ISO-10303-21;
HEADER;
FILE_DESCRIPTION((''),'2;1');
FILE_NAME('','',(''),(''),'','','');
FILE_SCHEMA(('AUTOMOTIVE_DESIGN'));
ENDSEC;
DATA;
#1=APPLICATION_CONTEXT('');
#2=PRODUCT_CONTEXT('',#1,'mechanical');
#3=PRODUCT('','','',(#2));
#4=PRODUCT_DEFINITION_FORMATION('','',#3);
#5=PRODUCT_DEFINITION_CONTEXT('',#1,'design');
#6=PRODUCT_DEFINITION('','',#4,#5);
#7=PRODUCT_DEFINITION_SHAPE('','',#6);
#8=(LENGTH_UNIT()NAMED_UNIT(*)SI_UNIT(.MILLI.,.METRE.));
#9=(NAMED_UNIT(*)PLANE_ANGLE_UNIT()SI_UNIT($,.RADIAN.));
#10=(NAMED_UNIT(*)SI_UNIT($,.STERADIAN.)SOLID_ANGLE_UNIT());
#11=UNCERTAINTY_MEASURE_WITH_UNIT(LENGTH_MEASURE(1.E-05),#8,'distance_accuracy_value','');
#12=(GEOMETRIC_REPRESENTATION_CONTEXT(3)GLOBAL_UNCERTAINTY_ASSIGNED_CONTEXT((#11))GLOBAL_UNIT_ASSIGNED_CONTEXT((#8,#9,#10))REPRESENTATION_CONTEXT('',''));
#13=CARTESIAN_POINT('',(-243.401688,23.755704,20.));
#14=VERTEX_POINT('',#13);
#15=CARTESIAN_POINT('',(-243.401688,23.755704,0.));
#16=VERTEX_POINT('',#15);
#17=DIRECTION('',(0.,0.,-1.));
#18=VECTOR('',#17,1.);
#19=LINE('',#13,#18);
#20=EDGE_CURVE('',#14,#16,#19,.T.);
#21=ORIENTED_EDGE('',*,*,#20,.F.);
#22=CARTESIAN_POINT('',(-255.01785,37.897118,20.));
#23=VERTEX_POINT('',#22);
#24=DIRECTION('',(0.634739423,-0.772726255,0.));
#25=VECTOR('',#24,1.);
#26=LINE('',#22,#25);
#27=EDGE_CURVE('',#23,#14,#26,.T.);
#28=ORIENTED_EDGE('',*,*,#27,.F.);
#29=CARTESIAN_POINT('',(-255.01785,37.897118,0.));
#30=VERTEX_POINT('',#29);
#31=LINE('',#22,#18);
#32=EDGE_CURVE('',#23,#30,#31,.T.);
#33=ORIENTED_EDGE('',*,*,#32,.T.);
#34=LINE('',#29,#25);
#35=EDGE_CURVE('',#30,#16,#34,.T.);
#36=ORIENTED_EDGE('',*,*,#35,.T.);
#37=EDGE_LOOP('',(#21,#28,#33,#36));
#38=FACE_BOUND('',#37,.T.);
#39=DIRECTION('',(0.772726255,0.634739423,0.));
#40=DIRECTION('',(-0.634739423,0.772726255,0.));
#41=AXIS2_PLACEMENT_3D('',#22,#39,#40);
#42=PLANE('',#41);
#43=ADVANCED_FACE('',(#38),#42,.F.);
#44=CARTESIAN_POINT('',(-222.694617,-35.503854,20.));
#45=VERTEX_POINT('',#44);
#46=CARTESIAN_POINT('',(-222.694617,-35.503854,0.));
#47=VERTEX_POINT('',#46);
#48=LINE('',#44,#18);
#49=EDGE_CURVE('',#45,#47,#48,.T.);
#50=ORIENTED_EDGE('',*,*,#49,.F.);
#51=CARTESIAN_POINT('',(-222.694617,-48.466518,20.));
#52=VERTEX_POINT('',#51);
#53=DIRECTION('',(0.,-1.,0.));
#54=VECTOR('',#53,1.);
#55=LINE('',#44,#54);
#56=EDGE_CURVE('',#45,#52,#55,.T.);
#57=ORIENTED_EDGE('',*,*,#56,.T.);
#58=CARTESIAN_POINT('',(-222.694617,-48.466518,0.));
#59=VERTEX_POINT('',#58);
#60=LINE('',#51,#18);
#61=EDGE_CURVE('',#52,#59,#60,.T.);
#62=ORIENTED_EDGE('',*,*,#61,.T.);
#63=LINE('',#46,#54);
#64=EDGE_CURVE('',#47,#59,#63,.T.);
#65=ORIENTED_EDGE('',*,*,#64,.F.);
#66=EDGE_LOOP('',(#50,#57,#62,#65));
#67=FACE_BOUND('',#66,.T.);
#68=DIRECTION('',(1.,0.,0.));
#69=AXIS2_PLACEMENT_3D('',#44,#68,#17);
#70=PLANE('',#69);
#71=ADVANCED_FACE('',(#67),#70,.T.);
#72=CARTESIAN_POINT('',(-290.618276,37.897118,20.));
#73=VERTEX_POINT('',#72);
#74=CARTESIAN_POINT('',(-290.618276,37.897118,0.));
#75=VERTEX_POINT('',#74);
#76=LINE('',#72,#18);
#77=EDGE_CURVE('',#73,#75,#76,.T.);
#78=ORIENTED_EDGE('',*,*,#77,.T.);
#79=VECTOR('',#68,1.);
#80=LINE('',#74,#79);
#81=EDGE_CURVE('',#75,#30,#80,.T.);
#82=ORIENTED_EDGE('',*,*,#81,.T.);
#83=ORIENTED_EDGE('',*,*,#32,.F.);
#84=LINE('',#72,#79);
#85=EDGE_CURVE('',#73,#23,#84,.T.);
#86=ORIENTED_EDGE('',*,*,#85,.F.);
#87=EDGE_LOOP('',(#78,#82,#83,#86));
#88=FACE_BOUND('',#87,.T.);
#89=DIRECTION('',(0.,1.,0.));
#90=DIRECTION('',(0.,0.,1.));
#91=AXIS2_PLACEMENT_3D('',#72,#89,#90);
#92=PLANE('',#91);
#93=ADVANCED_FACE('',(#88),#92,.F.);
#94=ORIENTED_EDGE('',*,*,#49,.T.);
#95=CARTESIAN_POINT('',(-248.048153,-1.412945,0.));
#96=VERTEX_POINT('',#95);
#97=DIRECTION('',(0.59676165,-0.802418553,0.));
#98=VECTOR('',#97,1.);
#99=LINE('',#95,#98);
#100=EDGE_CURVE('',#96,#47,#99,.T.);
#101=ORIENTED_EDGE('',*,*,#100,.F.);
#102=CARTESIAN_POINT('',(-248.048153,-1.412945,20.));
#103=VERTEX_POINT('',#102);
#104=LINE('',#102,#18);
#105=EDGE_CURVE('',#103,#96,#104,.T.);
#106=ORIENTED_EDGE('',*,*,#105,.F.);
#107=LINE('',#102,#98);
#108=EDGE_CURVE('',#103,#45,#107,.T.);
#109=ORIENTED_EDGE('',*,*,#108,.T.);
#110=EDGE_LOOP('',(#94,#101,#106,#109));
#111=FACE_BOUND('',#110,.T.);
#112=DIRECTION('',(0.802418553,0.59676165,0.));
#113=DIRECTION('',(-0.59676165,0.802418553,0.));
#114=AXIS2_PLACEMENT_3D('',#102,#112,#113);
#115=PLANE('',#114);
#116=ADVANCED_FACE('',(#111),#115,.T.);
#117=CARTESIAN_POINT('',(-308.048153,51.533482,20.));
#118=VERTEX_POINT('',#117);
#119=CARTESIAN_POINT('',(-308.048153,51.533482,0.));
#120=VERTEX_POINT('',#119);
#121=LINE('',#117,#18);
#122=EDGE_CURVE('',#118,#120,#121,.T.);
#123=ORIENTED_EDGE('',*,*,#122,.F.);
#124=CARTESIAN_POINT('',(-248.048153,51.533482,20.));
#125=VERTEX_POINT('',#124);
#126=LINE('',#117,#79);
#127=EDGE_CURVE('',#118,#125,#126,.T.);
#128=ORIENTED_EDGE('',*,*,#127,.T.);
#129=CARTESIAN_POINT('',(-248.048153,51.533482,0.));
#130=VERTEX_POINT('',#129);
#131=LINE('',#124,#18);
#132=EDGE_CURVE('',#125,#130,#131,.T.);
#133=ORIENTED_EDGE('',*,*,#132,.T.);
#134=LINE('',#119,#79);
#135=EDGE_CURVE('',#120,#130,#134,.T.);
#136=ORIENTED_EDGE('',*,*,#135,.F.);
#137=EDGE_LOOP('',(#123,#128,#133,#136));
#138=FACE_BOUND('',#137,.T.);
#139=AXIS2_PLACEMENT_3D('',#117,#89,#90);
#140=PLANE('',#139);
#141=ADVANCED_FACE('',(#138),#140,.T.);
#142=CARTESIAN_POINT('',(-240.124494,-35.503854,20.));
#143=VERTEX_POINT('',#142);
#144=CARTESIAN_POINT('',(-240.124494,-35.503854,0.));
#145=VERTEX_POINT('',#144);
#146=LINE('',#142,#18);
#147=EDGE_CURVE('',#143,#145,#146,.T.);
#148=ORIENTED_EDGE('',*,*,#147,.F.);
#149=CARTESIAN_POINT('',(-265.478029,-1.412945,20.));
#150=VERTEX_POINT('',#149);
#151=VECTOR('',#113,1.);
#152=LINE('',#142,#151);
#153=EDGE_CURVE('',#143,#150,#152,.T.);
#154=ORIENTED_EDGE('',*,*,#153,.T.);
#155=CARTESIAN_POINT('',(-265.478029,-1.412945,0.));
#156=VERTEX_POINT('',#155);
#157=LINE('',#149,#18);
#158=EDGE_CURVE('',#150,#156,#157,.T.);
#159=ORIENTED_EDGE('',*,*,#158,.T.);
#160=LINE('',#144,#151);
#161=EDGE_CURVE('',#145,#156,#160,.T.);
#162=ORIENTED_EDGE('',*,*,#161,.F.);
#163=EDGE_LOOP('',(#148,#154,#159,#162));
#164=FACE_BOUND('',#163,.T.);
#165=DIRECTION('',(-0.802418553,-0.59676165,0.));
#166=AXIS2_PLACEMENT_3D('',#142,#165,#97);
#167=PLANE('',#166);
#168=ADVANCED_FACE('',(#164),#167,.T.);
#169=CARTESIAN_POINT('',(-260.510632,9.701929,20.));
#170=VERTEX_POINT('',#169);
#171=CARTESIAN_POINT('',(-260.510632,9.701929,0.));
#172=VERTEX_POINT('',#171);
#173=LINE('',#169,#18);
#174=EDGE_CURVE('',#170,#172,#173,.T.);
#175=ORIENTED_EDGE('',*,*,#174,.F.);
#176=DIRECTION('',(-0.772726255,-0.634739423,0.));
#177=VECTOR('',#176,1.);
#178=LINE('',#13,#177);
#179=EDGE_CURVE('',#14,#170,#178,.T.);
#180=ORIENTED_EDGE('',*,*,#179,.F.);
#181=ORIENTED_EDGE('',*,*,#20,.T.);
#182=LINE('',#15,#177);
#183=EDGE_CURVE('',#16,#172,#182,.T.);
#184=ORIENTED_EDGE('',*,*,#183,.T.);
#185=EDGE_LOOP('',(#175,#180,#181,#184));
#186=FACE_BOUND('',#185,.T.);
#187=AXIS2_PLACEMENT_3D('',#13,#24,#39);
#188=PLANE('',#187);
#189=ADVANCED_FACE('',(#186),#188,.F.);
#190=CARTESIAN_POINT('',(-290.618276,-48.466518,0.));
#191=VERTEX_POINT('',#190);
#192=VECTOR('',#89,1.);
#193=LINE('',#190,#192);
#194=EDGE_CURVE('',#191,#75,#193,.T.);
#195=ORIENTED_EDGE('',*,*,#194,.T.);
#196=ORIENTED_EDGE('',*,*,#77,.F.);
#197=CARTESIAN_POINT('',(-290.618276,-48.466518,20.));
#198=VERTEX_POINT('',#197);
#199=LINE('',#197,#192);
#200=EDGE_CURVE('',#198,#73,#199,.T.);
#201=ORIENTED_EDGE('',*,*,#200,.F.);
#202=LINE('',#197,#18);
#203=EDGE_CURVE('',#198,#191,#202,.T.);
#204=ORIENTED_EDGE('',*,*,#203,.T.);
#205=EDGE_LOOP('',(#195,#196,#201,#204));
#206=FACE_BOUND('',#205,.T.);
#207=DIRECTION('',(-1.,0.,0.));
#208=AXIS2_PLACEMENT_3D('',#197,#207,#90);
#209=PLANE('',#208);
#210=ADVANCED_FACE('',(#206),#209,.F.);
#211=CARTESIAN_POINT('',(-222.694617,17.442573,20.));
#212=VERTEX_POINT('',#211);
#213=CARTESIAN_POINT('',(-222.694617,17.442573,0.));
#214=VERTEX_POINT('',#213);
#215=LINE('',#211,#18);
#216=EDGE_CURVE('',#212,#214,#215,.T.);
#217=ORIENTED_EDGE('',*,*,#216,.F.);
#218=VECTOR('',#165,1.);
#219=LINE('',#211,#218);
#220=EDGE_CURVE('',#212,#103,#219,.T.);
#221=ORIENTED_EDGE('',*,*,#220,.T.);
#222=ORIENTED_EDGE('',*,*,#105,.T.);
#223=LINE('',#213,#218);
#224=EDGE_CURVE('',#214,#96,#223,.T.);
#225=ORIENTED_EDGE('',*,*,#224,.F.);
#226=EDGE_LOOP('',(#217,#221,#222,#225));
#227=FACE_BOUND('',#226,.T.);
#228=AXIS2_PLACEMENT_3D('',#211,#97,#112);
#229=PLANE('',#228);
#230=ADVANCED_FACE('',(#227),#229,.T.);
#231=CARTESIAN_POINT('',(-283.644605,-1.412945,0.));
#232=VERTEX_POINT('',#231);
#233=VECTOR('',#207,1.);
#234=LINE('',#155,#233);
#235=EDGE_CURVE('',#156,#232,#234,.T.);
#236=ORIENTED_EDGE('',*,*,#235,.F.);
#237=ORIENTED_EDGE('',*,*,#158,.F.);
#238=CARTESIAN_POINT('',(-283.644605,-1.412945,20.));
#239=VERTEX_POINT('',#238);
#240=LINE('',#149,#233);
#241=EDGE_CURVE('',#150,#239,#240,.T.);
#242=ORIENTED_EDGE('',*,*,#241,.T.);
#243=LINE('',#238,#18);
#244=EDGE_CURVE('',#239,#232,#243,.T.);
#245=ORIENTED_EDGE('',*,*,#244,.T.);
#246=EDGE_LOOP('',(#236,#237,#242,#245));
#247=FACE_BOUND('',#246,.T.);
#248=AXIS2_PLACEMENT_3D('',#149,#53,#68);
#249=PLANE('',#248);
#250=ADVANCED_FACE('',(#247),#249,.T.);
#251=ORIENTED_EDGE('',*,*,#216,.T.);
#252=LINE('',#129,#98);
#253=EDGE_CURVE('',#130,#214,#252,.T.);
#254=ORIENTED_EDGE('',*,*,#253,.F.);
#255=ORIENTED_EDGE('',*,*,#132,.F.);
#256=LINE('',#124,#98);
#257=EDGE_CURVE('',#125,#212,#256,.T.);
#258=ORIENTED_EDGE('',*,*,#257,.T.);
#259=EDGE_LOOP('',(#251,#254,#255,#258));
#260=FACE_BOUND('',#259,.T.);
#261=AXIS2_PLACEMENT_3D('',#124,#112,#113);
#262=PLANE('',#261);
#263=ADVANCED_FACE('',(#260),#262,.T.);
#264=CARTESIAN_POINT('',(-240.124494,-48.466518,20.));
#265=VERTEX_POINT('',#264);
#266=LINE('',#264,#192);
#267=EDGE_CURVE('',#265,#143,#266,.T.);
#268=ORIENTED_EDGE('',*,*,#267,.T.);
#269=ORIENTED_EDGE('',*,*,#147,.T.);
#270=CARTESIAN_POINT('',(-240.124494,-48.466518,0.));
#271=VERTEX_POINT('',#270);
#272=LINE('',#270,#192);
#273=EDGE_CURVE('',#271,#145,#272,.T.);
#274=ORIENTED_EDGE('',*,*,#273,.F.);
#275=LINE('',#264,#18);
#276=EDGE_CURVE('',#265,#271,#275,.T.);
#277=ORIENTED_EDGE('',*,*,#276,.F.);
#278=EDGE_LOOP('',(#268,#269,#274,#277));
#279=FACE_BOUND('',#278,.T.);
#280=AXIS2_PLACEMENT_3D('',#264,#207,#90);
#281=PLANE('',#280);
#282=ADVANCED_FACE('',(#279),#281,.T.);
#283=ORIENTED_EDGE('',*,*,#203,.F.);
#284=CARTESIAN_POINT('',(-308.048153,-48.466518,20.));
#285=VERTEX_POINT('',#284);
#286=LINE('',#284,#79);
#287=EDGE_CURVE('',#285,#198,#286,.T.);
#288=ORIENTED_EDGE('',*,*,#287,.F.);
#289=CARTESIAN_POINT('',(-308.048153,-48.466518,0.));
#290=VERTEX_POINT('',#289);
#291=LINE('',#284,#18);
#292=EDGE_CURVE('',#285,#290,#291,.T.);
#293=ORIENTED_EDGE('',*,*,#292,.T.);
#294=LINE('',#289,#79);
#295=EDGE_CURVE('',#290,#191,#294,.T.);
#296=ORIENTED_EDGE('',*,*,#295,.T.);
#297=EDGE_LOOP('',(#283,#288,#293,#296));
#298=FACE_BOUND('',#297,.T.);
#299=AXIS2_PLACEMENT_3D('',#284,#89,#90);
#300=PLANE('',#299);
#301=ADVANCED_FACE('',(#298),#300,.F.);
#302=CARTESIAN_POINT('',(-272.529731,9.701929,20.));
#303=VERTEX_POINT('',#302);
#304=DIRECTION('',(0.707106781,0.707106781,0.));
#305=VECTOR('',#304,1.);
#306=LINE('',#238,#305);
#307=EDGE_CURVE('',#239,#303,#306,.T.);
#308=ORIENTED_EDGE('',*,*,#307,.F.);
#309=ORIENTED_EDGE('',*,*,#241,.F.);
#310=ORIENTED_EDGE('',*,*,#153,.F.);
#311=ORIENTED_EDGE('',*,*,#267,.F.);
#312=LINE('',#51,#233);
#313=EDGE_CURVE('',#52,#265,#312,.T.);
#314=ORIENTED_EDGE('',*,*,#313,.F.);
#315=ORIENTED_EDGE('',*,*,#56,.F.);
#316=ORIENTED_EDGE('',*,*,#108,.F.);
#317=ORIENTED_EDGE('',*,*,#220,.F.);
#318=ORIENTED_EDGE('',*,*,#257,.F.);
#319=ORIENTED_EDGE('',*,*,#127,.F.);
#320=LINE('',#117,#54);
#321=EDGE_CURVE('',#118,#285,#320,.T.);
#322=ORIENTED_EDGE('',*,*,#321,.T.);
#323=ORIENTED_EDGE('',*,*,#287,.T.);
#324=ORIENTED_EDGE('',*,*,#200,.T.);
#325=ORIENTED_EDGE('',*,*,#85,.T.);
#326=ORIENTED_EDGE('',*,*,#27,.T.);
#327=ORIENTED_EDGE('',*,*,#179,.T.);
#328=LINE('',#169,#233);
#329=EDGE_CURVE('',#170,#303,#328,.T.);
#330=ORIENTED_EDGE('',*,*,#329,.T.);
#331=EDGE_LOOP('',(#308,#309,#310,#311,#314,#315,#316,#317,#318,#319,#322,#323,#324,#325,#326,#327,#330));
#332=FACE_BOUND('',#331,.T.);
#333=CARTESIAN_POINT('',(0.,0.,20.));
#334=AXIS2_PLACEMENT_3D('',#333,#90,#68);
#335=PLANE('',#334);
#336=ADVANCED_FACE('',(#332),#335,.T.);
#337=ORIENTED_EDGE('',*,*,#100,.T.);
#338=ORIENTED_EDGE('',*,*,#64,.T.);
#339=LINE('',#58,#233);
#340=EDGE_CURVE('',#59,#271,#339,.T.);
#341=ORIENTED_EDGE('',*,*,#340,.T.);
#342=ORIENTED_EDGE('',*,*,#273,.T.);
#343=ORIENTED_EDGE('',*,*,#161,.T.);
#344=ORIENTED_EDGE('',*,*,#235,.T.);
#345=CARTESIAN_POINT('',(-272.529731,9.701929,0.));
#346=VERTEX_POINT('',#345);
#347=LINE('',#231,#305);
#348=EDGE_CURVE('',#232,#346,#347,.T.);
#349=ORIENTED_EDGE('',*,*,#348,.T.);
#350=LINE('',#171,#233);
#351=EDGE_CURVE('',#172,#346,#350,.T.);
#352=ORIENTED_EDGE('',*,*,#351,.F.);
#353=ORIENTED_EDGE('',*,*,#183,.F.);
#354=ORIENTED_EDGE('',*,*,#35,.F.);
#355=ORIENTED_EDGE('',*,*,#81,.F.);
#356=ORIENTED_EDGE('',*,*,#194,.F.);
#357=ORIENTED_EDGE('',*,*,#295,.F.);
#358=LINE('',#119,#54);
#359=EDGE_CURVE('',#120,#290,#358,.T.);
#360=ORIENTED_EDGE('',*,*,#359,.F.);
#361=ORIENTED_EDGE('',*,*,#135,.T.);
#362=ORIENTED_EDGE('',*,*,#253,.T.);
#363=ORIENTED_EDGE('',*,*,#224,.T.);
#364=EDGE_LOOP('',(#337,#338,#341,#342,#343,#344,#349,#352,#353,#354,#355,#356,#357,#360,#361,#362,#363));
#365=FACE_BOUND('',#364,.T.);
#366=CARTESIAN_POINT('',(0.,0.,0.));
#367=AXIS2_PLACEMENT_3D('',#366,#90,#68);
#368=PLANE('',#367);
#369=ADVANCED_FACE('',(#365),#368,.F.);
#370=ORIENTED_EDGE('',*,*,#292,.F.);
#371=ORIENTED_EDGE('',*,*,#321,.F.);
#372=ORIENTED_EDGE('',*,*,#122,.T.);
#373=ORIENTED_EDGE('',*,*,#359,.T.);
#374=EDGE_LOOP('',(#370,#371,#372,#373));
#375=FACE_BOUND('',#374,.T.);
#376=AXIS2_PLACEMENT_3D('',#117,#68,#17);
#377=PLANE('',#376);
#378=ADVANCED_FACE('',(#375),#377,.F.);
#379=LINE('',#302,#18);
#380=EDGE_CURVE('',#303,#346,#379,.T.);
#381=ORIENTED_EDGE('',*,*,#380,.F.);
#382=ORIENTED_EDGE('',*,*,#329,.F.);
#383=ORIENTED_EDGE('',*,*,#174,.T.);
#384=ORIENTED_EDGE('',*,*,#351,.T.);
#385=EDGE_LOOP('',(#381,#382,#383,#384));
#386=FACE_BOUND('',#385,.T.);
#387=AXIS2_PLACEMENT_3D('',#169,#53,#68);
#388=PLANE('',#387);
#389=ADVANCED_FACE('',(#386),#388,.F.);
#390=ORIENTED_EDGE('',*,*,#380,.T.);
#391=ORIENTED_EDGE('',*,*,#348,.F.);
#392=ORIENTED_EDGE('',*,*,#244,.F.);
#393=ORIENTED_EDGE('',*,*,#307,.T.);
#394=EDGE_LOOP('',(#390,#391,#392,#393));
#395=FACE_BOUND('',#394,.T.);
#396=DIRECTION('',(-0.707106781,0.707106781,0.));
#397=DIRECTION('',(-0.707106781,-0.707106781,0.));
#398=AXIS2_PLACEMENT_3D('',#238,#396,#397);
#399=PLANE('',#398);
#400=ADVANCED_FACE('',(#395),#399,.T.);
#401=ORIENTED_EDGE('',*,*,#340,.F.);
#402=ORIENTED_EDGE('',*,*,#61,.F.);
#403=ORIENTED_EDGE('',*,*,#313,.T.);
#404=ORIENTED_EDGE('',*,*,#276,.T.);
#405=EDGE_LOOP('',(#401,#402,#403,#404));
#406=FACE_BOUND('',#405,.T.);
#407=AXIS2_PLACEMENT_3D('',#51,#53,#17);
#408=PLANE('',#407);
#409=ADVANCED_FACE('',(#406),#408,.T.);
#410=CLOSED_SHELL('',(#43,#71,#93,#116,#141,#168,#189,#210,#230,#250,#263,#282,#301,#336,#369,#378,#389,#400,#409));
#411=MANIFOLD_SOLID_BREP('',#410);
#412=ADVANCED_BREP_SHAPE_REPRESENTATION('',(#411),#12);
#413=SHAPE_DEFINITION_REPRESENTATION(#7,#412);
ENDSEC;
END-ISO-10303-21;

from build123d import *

# Parameters (mm, degrees)
BOSS_EXTRUDE1_DEPTH = 20


with BuildPart() as part:
    # Sketch1 → Boss-Extrude1 (new body)
    with BuildSketch(Plane.XY):
        Polygon((-308.048152534, 51.533481949), (-308.048152534, -48.466518051), (-290.618276034, -48.466518051), (-290.618276034, 37.897118312), (-255.017849504, 37.897118312), (-243.401687888, 23.755704171), (-260.510631621, 9.701928961), (-272.52973086, 9.701928961), (-283.644605108, -1.412945287), (-265.478028988, -1.412945287), (-240.124493635, -35.503854378), (-240.124493635, -48.466518051), (-222.694617181, -48.466518051), (-222.694617181, -35.503854378), (-248.048152534, -1.412945287), (-222.694617181, 17.442572858), (-248.048152534, 51.533481949), align=None)
    extrude(amount=BOSS_EXTRUDE1_DEPTH)


solid = part.part
